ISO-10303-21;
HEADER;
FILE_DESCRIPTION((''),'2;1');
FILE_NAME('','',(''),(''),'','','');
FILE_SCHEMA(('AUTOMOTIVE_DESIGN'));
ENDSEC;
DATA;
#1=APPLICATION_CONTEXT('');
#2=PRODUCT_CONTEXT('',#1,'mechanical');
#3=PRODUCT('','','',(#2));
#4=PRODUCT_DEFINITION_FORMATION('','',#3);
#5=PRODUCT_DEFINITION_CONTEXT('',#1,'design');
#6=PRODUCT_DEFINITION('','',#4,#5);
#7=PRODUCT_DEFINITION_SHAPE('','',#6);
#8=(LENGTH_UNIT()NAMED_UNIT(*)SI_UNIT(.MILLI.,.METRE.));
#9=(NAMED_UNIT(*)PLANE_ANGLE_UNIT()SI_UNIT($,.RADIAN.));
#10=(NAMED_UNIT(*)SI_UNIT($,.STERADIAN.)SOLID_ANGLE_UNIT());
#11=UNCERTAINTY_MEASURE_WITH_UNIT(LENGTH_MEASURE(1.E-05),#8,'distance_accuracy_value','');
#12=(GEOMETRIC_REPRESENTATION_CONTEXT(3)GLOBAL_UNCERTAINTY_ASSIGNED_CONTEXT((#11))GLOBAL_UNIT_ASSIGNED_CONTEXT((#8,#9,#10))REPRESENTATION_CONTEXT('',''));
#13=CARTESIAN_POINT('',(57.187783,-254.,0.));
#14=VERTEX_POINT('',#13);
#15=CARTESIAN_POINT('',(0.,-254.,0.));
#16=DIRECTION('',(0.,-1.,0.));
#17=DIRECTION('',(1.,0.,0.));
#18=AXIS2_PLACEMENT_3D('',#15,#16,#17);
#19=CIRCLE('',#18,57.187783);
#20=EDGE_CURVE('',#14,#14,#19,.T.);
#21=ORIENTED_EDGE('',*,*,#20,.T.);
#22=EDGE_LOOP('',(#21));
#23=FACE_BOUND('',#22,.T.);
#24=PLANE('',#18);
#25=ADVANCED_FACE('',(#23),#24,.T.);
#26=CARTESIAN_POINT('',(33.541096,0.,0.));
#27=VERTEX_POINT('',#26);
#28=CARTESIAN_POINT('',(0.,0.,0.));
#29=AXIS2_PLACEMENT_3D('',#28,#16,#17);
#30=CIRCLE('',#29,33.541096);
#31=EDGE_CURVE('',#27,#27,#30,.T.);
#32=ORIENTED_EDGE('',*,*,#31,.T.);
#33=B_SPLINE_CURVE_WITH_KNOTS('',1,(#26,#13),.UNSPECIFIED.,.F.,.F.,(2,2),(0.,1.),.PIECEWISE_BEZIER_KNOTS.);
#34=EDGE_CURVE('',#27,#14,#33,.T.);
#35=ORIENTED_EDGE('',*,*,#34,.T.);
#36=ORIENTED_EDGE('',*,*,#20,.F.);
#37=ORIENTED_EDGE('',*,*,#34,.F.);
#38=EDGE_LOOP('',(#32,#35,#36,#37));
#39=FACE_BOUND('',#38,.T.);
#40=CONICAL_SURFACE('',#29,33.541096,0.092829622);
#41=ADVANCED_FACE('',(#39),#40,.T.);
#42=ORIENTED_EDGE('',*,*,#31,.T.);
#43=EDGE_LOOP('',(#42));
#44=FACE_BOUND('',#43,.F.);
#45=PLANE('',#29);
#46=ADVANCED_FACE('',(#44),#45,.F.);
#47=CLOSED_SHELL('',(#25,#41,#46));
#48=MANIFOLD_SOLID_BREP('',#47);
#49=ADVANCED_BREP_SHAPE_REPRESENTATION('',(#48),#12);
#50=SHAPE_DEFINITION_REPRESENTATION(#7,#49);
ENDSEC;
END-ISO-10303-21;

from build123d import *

# Parameters (mm, degrees)
F0_R = 33.541096
F2_R = 57.187783


with BuildPart() as f3:
    # F0 (on Front) → F3 section 0
    with BuildSketch(Plane.XZ):
        Circle(F0_R)
    # F2 (on offset) → F3 section 1
    with BuildSketch(Plane.XZ.offset(254)):
        Circle(F2_R)
    loft()


solid = f3.part
